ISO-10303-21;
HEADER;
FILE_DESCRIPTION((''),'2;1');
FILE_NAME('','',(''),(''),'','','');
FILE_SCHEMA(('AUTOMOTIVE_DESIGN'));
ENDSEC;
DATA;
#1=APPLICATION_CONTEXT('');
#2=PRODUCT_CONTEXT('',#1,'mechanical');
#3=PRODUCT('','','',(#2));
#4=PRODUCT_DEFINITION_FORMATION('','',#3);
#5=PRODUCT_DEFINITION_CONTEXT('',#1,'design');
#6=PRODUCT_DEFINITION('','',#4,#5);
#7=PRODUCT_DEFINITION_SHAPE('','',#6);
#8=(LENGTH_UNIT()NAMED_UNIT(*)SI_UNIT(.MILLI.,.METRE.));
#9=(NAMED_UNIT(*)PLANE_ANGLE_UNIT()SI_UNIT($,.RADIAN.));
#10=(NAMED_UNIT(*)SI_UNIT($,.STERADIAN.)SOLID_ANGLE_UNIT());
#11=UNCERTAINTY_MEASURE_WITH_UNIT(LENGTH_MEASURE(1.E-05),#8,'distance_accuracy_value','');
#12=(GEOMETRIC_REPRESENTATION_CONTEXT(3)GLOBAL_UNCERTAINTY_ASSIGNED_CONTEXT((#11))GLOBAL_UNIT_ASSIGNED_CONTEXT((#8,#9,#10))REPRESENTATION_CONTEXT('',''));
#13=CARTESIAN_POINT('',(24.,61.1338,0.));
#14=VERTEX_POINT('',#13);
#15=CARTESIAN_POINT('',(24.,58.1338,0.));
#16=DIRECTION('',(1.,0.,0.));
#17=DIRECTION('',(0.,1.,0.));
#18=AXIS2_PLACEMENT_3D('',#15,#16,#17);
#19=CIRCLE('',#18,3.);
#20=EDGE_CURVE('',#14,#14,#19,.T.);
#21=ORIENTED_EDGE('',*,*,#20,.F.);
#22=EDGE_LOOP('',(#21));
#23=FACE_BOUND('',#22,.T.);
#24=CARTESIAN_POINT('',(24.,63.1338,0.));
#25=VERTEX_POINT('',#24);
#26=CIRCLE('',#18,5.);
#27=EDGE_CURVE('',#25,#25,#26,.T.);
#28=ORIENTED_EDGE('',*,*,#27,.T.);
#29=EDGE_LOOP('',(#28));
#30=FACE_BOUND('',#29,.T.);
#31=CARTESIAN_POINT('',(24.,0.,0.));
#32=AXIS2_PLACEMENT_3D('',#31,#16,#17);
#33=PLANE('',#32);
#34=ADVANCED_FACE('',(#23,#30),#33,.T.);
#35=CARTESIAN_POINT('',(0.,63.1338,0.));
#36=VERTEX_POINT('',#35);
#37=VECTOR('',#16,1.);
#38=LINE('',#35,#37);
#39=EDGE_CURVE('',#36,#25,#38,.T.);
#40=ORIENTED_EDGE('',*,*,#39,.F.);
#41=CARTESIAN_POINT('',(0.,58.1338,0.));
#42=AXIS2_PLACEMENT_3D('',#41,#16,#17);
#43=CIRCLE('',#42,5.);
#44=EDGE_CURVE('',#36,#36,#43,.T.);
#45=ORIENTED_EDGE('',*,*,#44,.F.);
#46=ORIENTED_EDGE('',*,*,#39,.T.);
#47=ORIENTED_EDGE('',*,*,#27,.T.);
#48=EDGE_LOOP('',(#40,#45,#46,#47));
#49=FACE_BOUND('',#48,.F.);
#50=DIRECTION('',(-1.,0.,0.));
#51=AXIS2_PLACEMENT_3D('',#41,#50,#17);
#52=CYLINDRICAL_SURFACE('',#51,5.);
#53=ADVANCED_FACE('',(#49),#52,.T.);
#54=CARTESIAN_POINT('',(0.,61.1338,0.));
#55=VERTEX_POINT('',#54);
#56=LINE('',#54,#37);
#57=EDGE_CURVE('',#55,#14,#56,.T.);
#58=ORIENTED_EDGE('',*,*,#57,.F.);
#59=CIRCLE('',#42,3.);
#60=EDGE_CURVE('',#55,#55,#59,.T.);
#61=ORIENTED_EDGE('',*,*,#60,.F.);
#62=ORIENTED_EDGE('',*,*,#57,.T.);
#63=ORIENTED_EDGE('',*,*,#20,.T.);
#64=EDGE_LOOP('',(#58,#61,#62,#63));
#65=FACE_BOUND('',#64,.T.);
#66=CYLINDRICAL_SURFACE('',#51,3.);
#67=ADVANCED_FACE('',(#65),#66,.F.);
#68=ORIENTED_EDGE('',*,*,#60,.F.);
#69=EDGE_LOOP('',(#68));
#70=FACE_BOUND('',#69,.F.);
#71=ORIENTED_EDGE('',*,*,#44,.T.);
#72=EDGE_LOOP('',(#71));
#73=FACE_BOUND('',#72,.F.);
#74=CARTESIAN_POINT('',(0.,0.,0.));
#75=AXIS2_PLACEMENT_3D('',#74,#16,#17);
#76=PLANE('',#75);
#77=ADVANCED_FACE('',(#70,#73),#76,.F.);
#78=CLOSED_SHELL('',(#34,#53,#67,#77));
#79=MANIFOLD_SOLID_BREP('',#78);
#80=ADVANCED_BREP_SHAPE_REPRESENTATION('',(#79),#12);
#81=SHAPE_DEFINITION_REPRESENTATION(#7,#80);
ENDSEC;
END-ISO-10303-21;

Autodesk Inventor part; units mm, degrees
ref_plane "YZ Plane" through (0, 0, 0) normal (1, 0, 0) x (0, 1, 0)
ref_plane "XZ Plane" through (0, 0, 0) normal (0, 1, 0) x (-1, 0, 0)
ref_plane "XY Plane" through (0, 0, 0) normal (0, 0, 1) x (1, 0, 0)
sketch "Sketch1" plane through (0, 0, 0) normal (1, 0, 0) x (0, 1, 0)
  circle A0 centre (58.1338, 0) radius 5
  circle A1 centre (58.1338, 0) radius 3
  point P0 (0, 0)
  dimension "d0" = 10
  dimension "d1" = 6
extrude "Extrusion1" add sketch "Sketch1" along normal blind 24
properties part number "Spacer 24mm" material "Aluminum 6061"
